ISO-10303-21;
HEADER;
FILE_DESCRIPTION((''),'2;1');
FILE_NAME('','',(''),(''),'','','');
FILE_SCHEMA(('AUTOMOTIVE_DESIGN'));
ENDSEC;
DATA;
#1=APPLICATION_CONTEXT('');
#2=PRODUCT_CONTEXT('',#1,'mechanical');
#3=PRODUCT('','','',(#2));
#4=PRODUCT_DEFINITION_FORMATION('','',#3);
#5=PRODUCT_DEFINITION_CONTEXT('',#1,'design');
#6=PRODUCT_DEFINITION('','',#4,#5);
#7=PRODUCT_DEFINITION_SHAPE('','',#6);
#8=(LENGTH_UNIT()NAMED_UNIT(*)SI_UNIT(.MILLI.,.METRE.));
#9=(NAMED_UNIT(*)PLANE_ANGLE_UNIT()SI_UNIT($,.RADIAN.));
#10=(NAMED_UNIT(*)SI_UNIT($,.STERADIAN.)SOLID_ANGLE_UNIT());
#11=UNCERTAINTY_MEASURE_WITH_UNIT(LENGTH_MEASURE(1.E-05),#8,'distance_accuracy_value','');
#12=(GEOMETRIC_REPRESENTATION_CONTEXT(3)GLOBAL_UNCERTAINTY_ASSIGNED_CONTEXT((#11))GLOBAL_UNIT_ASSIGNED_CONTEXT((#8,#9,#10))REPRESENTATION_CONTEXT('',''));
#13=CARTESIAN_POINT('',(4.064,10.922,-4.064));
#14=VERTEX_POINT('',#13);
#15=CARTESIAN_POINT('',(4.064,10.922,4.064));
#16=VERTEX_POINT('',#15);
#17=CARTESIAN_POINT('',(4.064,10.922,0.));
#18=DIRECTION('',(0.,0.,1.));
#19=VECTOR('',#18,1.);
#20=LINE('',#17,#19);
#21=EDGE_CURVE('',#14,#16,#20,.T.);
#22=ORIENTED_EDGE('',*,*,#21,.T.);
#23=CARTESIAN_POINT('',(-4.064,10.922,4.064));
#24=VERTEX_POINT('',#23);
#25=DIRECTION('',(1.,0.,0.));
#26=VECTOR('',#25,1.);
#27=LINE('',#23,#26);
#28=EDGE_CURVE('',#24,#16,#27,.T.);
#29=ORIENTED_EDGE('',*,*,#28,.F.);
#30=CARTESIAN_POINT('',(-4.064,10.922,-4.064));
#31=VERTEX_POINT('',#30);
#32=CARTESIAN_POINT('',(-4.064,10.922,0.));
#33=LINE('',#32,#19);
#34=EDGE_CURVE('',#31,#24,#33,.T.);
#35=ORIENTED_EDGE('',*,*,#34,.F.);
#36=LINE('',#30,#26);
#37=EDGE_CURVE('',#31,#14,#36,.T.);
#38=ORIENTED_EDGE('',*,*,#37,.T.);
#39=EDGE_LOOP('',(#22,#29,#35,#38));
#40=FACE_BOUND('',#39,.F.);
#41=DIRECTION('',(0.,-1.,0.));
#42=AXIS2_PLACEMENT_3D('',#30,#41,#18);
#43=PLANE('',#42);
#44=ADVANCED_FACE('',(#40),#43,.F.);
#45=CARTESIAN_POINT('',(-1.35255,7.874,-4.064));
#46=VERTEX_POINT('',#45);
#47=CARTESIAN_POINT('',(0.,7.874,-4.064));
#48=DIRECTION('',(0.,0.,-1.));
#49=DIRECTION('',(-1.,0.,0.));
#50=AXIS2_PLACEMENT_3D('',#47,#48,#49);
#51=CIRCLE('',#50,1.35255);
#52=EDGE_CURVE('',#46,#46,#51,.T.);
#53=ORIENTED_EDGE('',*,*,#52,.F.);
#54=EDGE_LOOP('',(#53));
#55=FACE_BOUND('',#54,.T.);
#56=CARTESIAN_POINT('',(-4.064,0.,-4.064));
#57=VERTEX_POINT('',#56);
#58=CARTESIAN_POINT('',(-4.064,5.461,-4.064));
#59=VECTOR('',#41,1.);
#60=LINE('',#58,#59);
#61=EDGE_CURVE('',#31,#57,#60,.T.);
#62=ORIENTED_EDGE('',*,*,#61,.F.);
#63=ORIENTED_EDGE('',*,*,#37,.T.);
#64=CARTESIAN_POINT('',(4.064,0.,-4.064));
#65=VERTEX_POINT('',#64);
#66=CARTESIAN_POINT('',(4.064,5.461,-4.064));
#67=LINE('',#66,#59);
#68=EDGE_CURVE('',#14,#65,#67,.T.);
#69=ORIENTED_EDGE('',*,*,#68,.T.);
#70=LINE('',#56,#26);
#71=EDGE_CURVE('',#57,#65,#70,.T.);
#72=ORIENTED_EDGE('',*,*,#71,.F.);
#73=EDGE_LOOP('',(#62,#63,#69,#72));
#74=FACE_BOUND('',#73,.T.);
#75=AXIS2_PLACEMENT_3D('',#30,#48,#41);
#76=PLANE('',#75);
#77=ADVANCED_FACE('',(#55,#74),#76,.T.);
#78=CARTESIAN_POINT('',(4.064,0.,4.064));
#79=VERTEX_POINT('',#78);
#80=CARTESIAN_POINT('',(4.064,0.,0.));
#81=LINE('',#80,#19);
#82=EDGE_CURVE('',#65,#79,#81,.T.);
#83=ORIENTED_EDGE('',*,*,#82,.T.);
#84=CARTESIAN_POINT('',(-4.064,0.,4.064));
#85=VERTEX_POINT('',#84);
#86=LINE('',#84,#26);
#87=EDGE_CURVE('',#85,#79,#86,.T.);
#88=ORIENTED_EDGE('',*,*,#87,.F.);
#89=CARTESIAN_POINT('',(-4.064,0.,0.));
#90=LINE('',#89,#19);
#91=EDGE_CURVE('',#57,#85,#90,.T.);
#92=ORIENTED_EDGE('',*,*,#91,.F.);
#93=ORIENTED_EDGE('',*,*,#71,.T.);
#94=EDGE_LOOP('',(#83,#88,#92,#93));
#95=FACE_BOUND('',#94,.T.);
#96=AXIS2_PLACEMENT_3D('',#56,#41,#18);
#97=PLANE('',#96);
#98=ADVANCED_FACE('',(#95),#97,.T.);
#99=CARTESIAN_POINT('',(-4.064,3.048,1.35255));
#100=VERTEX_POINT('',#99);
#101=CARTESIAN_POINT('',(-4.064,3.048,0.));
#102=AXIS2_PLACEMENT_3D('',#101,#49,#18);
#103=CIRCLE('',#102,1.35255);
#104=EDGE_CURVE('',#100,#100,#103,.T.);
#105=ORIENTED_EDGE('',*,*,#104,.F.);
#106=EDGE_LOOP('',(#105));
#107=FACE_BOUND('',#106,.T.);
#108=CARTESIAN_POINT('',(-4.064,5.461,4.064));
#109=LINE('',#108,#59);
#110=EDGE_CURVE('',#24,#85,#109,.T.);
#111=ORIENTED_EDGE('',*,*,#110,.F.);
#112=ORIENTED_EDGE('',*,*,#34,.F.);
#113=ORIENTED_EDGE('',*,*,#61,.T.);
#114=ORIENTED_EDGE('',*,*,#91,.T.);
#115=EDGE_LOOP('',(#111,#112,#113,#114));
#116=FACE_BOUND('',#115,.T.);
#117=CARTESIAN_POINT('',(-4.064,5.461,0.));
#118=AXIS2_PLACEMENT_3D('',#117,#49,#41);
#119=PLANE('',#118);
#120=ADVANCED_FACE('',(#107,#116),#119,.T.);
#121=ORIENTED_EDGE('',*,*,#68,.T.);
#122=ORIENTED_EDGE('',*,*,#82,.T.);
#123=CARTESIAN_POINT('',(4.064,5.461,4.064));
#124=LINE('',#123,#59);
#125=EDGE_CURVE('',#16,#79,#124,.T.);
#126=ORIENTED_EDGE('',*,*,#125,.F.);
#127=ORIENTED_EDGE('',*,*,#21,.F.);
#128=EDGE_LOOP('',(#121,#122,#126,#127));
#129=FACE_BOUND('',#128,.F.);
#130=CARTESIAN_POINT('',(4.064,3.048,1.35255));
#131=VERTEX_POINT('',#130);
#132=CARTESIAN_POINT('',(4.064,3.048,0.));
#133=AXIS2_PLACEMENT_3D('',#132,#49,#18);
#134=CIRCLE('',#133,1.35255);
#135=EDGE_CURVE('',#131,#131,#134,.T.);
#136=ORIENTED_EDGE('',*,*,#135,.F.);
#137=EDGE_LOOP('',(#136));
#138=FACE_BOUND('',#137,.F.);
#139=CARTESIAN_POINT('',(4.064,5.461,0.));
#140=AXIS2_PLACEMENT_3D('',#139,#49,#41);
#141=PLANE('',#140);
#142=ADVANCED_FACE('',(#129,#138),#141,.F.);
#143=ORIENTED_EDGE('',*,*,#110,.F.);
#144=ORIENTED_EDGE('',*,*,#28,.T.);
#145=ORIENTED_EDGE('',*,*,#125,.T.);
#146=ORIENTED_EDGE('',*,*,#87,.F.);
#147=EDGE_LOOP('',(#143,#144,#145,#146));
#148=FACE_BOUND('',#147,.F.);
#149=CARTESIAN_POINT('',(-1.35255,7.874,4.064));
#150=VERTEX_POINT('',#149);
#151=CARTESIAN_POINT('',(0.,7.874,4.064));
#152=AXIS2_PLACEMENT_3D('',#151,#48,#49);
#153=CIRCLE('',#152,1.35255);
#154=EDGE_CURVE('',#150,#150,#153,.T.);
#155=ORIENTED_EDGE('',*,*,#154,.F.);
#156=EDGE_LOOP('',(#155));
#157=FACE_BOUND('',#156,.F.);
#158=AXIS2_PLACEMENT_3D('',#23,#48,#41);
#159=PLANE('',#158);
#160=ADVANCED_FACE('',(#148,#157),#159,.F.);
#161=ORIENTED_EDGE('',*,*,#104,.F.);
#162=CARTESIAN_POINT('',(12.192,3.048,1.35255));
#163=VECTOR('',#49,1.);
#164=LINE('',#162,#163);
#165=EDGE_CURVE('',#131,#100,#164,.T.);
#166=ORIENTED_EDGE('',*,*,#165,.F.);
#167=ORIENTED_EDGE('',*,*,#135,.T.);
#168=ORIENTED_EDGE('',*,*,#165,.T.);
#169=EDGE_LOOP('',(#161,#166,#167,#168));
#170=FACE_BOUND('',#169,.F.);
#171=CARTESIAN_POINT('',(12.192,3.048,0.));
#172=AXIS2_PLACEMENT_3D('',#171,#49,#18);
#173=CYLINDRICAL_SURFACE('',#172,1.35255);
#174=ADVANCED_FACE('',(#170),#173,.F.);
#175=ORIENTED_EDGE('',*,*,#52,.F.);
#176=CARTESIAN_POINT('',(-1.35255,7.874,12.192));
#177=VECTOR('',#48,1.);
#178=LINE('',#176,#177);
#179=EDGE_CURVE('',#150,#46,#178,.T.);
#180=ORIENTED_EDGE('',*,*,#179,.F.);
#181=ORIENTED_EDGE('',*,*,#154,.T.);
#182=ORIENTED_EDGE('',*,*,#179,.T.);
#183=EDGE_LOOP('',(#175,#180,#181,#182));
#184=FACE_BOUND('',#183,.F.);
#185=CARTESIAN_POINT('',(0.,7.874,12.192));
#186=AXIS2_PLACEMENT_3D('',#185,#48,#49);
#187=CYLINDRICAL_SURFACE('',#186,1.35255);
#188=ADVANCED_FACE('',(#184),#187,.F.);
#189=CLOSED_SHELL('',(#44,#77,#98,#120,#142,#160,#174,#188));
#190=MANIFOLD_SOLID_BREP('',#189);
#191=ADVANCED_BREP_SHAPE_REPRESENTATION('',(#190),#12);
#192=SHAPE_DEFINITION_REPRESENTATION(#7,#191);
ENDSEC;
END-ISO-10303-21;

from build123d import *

# Parameters (mm, degrees)
SKETCH1_W                  = 10.922
SKETCH1_H                  = 8.128
BOSS_EXTRUDE1_DEPTH        = 8.128
M2_5_CLEARANCE_HOLE1_D     = 2.7051
M2_5_CLEARANCE_HOLE1_DEPTH = 8.128
M2_5_CLEARANCE_HOLE2_D     = 2.7051
M2_5_CLEARANCE_HOLE2_DEPTH = 8.128


with BuildPart() as part:
    # Sketch1 → Boss-Extrude1 (new body)
    with BuildSketch(Plane(origin=(-4.064, 0, 0), x_dir=(0, -1, 0), z_dir=(-1, 0, 0))):
        with Locations((-5.461, 0)):
            Rectangle(SKETCH1_W, SKETCH1_H)
    extrude(amount=-BOSS_EXTRUDE1_DEPTH)

    # M2.5 Clearance Hole1
    with Locations(Plane(origin=(4.064, 0, 0), x_dir=(0, 0, -1), z_dir=(1, 0, 0))):
        with Locations((0, 3.048)):
            Hole(M2_5_CLEARANCE_HOLE1_D / 2, depth=M2_5_CLEARANCE_HOLE1_DEPTH)

    # M2.5 Clearance Hole2
    with Locations(Plane.XY.offset(4.064)):
        with Locations((0, 7.874)):
            Hole(M2_5_CLEARANCE_HOLE2_D / 2, depth=M2_5_CLEARANCE_HOLE2_DEPTH)


solid = part.part
